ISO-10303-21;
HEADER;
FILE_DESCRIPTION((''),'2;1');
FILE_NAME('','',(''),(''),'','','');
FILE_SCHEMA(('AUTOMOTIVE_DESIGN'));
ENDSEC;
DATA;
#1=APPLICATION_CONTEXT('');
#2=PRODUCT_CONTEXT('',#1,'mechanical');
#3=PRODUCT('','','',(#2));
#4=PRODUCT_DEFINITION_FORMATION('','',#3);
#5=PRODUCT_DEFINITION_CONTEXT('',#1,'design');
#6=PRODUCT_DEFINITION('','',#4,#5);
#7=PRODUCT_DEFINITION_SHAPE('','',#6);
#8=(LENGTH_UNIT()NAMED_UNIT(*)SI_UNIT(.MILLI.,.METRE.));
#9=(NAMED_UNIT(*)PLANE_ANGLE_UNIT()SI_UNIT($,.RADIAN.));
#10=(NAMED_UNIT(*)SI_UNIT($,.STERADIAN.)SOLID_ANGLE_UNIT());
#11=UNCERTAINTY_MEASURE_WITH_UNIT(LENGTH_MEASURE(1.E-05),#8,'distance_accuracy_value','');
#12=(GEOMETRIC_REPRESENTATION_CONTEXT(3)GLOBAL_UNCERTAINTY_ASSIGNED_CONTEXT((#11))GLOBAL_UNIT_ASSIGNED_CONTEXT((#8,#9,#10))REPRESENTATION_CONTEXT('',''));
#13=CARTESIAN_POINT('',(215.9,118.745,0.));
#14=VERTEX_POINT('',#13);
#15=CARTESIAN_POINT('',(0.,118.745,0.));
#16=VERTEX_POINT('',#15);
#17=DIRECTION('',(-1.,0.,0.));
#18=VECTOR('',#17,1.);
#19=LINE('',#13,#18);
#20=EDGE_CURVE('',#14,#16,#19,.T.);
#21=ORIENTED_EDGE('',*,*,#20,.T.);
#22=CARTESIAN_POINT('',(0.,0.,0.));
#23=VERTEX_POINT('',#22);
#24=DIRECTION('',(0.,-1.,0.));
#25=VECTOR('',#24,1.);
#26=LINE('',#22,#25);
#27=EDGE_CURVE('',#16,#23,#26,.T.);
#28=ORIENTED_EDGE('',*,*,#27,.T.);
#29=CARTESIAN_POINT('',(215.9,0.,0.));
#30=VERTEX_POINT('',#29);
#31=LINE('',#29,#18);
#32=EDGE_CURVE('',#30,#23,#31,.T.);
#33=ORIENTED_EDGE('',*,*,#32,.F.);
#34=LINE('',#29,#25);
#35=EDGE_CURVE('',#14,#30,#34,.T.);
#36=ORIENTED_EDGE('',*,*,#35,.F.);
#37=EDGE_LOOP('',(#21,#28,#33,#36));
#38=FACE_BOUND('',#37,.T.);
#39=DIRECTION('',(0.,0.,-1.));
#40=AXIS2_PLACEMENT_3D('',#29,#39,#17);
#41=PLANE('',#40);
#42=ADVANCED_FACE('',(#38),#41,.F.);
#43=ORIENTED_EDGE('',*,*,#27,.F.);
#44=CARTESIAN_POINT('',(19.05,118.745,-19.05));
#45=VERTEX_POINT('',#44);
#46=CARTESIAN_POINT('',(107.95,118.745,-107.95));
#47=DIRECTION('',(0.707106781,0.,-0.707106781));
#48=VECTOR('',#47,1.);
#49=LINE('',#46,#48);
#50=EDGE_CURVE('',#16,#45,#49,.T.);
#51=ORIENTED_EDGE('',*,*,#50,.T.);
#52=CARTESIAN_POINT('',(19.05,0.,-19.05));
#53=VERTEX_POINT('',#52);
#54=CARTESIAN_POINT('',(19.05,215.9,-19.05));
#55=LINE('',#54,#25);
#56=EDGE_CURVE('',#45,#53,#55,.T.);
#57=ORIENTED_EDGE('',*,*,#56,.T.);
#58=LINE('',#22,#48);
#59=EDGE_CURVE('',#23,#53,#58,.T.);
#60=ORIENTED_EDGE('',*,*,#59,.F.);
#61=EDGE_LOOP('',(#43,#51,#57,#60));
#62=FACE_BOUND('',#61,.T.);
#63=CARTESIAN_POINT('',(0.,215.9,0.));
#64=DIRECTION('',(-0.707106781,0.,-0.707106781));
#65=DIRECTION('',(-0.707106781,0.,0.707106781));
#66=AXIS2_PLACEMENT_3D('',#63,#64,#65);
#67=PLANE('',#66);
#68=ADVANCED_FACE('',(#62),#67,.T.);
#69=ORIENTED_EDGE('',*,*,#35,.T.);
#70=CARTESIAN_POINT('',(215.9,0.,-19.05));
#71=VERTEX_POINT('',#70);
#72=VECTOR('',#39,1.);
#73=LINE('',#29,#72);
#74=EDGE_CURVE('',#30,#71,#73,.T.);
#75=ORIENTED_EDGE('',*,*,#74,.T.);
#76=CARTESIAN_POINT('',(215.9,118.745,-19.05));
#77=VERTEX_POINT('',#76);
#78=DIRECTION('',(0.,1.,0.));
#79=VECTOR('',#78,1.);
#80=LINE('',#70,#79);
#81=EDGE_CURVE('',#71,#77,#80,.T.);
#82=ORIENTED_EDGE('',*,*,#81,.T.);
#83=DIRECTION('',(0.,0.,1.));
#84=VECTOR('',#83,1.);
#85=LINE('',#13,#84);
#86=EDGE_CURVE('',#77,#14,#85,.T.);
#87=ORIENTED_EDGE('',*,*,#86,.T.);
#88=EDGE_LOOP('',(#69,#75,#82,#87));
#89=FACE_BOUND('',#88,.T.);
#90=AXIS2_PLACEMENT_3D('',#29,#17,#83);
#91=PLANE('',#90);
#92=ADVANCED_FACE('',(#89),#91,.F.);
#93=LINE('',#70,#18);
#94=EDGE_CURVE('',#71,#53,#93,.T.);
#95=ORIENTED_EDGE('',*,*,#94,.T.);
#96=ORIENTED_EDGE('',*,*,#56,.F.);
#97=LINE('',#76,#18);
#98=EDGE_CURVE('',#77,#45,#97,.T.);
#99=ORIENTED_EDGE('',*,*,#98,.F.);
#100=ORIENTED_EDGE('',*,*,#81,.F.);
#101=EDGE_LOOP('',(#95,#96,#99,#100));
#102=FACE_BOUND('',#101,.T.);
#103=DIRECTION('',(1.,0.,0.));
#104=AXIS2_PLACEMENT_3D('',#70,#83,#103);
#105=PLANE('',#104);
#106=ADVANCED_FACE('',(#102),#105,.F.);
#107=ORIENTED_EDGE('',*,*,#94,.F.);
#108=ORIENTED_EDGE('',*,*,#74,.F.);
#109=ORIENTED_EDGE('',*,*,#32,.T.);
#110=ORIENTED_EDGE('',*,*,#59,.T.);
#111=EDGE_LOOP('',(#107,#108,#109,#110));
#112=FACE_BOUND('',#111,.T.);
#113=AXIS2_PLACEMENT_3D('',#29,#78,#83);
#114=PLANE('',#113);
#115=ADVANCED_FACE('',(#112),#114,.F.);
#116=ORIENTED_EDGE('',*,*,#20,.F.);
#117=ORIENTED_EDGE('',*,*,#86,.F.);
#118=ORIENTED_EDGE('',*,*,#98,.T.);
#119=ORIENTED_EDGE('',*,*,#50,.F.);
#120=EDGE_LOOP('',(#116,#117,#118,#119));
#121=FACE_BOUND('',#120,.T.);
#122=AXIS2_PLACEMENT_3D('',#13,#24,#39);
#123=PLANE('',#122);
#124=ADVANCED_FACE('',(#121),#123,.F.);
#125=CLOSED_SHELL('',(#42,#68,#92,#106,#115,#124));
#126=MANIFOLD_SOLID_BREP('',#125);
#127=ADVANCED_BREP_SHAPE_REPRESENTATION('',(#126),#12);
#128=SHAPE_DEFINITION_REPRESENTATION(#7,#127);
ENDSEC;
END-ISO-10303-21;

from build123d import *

# Parameters (mm, degrees)
SKETCH1_W           = 19.05
SKETCH1_H           = 118.745
BOSS_EXTRUDE1_DEPTH = 215.9
CUT_EXTRUDE5_DEPTH  = 215.9


with BuildPart() as part:
    # Sketch1 → Boss-Extrude1 (new body)
    with BuildSketch(Plane(origin=(0, 0, 0), x_dir=(0, 0, -1), z_dir=(1, 0, 0))):
        with Locations((9.525, 59.3725)):
            Rectangle(SKETCH1_W, SKETCH1_H)
    extrude(amount=BOSS_EXTRUDE1_DEPTH)

    # Sketch2 → Cut-Extrude5 (cut)
    with BuildSketch(Plane(origin=(0, 0, 0), x_dir=(1, 0, 0), z_dir=(0, 1, 0))):
        Polygon((0, 0), (19.05, 19.05), (0, 19.05), align=None)
    extrude(amount=CUT_EXTRUDE5_DEPTH, mode=Mode.SUBTRACT)


solid = part.part
